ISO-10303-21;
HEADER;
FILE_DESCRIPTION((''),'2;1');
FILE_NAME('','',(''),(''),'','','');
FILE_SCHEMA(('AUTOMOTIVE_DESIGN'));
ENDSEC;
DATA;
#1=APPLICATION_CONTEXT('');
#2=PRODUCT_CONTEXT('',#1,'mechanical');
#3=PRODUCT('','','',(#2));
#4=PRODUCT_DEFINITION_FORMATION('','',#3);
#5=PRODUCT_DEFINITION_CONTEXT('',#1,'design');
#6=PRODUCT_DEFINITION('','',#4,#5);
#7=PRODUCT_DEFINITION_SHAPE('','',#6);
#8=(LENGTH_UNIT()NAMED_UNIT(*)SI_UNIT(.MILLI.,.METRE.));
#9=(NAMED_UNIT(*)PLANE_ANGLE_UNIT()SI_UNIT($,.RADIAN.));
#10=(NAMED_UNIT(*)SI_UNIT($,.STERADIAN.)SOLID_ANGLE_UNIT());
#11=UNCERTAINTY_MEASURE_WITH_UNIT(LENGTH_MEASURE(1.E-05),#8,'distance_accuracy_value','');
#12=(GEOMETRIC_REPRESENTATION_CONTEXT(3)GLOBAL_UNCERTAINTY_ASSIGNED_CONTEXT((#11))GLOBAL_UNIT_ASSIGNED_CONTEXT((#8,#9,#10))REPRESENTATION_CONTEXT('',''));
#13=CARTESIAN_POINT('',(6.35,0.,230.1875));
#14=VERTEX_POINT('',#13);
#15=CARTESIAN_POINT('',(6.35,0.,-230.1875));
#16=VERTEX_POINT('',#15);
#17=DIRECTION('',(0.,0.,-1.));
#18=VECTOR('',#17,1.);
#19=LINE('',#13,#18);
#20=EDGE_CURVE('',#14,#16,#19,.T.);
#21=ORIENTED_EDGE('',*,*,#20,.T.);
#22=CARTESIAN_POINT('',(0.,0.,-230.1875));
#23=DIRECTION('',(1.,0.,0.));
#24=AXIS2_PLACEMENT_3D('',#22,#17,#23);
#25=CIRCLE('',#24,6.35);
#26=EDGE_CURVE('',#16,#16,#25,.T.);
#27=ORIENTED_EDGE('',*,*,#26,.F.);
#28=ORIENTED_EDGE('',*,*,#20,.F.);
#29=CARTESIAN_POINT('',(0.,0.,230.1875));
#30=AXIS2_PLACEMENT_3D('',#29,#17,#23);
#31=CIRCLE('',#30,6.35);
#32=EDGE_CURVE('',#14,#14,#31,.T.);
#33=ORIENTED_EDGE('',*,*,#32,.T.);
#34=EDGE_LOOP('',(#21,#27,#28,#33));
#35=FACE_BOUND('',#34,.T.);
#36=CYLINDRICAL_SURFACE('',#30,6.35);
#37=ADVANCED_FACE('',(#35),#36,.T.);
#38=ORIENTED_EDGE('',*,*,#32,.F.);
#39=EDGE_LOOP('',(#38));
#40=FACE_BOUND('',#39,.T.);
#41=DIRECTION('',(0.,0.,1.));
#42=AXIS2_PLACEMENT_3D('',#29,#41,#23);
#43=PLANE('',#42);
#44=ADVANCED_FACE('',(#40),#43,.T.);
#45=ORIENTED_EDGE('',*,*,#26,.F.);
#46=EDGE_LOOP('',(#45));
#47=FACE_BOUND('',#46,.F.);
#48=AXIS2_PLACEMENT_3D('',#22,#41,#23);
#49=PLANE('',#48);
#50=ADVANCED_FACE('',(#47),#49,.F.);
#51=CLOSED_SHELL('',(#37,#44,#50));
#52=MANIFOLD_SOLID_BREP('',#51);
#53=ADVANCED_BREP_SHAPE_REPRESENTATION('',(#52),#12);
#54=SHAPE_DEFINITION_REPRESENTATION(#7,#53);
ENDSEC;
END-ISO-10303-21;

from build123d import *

# Parameters (mm, degrees)
F2_R = 6.35


with BuildPart() as f3:
    # F3: sweep along a path in F0
    with BuildLine(Plane.XZ) as f3_path:
        Line((0, 230.1875), (0, -230.1875))
    # F2 (on face) → F3 (sweep)
    with BuildSketch(Plane.XY.offset(230.1875)):
        Circle(F2_R)
    sweep(path=f3_path.line)


solid = f3.part
